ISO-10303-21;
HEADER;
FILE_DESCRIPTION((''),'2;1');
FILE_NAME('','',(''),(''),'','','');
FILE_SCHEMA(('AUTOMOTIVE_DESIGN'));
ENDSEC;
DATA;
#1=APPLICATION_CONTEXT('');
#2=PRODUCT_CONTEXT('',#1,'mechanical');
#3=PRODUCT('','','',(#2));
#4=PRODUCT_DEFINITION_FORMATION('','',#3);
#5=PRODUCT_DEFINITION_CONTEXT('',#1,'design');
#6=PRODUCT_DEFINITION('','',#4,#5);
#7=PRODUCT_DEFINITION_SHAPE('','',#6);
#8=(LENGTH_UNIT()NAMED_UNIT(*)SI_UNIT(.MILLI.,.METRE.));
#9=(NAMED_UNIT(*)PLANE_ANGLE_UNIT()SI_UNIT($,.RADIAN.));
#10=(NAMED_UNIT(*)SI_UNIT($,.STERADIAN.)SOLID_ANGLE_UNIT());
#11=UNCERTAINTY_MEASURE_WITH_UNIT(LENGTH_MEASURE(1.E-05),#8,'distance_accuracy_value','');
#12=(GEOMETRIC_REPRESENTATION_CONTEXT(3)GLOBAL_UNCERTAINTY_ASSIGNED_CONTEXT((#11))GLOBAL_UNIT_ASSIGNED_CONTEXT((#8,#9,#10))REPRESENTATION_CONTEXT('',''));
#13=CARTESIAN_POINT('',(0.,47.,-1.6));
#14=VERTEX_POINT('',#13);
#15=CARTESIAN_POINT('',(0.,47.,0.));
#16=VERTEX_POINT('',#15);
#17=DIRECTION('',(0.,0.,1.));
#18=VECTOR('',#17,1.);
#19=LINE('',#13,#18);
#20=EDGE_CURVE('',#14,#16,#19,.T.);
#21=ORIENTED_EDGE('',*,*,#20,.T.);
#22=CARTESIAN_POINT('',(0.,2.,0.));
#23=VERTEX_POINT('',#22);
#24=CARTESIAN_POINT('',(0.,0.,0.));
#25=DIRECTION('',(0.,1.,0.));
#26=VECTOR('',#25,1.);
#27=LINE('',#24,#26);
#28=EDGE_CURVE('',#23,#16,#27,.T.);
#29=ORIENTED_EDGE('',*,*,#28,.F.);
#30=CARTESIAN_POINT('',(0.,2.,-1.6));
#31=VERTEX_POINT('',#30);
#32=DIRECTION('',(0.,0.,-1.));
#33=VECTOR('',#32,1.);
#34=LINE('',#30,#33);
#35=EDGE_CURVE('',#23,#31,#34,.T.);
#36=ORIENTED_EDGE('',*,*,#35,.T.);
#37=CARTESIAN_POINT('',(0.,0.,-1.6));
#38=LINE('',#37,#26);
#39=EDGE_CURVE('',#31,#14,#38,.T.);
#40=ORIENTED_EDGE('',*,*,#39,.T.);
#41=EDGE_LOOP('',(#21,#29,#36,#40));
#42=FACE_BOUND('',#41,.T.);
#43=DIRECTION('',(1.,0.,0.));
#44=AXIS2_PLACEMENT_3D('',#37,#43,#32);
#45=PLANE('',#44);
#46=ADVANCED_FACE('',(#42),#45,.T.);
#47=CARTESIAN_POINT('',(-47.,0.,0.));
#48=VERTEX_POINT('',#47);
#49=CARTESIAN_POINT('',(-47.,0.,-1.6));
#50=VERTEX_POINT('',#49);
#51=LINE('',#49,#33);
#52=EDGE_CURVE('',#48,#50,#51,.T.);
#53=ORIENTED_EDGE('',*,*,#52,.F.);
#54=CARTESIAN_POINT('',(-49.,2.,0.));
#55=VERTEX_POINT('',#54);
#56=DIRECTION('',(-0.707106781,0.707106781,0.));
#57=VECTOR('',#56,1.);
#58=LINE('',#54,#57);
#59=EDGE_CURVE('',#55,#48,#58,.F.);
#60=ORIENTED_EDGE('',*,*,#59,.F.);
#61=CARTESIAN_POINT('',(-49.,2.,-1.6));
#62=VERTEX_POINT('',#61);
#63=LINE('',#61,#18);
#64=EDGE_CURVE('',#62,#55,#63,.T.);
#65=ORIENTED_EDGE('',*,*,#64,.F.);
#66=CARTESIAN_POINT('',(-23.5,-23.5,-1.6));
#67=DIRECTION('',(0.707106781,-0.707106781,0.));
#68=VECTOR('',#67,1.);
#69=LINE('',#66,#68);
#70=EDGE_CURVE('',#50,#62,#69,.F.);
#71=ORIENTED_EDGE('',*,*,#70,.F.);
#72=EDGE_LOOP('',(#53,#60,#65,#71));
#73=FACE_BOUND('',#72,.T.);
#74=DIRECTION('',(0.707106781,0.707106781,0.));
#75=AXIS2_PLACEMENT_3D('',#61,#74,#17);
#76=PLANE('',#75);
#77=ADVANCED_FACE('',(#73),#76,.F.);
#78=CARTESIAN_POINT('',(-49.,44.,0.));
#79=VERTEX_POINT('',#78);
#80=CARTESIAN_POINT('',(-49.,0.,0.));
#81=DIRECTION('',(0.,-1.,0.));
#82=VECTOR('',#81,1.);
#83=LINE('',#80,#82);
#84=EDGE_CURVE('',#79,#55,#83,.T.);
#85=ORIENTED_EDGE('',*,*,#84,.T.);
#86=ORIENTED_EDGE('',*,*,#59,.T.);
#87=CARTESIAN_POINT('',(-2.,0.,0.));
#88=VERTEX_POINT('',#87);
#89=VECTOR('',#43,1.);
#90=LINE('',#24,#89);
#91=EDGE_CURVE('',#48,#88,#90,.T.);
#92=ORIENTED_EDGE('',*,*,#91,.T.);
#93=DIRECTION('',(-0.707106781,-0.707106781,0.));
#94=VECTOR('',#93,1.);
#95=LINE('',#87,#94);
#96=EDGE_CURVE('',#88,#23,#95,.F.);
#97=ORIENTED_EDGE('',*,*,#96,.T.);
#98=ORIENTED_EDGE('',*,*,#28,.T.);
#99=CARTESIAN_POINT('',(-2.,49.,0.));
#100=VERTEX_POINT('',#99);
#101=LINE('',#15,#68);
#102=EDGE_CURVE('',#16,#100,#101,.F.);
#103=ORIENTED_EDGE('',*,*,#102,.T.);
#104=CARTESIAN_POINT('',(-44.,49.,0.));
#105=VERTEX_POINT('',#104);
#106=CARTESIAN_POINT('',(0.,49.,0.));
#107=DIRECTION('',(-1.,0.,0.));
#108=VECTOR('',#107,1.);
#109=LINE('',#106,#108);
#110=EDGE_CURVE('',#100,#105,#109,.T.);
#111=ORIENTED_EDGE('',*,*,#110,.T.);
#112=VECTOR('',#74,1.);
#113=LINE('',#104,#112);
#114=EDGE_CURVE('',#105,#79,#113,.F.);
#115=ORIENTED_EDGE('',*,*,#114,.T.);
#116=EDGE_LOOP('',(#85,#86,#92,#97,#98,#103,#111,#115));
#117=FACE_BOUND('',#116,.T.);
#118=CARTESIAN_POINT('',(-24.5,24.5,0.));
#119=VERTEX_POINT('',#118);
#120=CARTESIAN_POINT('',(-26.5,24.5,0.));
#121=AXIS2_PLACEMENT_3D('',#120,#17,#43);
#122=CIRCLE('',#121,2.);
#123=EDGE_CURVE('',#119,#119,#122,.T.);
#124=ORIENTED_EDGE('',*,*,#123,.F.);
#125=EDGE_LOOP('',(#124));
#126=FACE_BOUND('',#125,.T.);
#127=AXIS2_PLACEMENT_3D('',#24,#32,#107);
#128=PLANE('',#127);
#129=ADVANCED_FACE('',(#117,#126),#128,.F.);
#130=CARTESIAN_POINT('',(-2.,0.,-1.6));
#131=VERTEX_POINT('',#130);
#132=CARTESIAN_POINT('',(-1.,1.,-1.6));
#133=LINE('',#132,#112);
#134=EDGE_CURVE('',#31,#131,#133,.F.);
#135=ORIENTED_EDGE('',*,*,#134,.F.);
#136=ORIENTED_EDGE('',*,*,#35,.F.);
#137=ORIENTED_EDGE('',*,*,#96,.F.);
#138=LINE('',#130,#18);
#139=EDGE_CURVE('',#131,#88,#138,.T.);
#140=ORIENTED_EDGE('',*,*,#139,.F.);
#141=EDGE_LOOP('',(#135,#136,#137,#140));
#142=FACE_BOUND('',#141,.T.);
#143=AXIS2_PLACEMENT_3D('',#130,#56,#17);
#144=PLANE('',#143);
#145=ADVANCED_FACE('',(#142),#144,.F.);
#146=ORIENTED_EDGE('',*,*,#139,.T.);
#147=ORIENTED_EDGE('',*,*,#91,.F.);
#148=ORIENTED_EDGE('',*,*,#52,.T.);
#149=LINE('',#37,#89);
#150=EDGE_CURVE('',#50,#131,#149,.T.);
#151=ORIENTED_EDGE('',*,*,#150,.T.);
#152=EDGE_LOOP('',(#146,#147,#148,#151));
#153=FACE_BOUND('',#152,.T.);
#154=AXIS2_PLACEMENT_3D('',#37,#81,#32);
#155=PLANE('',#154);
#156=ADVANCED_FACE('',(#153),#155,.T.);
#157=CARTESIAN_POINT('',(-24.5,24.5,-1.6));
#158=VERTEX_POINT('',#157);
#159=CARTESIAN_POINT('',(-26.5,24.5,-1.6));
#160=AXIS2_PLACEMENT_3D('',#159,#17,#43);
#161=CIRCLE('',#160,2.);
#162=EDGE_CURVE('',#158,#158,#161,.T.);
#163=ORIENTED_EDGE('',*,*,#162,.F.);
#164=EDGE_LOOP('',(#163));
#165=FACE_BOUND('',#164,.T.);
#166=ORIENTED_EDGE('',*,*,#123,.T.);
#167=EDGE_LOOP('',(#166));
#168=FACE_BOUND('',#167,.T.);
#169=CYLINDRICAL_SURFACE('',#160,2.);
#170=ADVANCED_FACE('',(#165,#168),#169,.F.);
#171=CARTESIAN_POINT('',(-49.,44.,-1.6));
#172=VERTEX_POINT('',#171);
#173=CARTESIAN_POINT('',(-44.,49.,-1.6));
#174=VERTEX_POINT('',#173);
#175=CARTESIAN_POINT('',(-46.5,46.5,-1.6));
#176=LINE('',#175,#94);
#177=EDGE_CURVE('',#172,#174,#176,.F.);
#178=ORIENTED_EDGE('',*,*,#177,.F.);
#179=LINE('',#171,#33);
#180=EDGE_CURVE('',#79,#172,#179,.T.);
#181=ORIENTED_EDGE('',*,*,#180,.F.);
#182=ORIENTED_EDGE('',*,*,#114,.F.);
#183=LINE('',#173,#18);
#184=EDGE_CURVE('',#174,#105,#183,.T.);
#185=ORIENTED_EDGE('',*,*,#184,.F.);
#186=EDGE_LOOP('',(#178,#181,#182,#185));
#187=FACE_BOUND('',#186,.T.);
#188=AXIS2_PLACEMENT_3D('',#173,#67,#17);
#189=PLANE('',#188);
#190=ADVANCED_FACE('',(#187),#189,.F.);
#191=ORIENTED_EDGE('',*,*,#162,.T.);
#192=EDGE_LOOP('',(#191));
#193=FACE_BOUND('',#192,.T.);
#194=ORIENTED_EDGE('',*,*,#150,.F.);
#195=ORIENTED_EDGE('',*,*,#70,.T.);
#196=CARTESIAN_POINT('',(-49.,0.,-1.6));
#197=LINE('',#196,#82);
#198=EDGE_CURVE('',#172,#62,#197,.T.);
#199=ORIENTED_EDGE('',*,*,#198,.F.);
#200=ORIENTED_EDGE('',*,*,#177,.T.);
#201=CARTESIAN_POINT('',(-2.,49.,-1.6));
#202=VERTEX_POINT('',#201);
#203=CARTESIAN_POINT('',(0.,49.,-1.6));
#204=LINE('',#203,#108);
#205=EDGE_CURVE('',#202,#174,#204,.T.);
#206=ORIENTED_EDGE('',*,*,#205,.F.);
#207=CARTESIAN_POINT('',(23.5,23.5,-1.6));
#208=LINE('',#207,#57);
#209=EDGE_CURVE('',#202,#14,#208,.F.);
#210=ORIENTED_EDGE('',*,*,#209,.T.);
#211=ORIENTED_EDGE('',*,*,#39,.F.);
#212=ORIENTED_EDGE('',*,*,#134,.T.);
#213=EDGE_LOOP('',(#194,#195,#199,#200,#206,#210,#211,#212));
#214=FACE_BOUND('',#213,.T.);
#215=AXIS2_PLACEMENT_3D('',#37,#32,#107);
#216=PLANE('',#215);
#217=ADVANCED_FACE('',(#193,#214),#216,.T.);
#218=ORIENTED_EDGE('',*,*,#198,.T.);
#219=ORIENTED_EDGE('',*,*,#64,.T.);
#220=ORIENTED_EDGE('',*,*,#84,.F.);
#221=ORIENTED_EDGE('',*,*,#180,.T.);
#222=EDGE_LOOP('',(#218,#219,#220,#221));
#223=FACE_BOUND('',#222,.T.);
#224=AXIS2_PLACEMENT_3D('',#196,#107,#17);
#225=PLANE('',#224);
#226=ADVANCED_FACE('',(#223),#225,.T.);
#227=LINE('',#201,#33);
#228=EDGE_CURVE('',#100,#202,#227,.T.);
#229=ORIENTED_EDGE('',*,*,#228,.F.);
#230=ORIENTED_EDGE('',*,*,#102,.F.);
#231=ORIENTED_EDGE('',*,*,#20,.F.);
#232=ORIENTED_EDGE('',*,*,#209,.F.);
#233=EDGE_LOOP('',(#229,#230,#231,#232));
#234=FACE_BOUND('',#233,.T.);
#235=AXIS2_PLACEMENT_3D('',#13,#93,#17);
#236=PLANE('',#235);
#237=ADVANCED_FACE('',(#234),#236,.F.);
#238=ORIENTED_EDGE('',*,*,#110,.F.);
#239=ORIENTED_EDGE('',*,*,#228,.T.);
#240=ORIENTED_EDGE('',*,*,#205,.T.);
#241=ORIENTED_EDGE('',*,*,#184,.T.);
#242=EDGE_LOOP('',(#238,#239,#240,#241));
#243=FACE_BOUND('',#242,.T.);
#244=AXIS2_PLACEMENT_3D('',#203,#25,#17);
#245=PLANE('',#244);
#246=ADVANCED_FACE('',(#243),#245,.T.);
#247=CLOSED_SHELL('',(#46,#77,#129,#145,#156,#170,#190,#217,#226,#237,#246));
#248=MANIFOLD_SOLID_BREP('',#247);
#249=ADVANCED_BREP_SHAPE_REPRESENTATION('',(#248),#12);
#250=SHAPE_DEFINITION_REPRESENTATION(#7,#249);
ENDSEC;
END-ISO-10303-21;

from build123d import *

# Parameters (mm, degrees)
SKETCH1_W           = 49
SKETCH1_H           = 49
SKETCH1_R           = 2
BOSS_EXTRUDE1_DEPTH = 1.6
CHAMFER1_SIZE       = 5
CHAMFER2_SIZE       = 2


with BuildPart() as part:
    # Sketch1 → Boss-Extrude1 (new body)
    with BuildSketch(Plane(origin=(0, 0, 0), x_dir=(0, 1, 0), z_dir=(0, 0, 1))):
        with Locations((24.5, 24.5)):
            Rectangle(SKETCH1_W, SKETCH1_H)
        with Locations(Location((24.5, 26.5, 0), (0, 0, 270))):
            Circle(SKETCH1_R, mode=Mode.SUBTRACT)
    extrude(amount=-BOSS_EXTRUDE1_DEPTH)

    # Chamfer1
    chamfer1_edges = [part.edges().sort_by_distance(p)[0] for p in [
        (-49, 49, -0.8),
    ]]
    chamfer(chamfer1_edges, length=CHAMFER1_SIZE)

    # Chamfer2
    chamfer2_edges = [part.edges().sort_by_distance(p)[0] for p in [
        (-49, 0, -0.8),
        (0, 49, -0.8),
        (0, 0, -0.8),
    ]]
    chamfer(chamfer2_edges, length=CHAMFER2_SIZE)


solid = part.part
